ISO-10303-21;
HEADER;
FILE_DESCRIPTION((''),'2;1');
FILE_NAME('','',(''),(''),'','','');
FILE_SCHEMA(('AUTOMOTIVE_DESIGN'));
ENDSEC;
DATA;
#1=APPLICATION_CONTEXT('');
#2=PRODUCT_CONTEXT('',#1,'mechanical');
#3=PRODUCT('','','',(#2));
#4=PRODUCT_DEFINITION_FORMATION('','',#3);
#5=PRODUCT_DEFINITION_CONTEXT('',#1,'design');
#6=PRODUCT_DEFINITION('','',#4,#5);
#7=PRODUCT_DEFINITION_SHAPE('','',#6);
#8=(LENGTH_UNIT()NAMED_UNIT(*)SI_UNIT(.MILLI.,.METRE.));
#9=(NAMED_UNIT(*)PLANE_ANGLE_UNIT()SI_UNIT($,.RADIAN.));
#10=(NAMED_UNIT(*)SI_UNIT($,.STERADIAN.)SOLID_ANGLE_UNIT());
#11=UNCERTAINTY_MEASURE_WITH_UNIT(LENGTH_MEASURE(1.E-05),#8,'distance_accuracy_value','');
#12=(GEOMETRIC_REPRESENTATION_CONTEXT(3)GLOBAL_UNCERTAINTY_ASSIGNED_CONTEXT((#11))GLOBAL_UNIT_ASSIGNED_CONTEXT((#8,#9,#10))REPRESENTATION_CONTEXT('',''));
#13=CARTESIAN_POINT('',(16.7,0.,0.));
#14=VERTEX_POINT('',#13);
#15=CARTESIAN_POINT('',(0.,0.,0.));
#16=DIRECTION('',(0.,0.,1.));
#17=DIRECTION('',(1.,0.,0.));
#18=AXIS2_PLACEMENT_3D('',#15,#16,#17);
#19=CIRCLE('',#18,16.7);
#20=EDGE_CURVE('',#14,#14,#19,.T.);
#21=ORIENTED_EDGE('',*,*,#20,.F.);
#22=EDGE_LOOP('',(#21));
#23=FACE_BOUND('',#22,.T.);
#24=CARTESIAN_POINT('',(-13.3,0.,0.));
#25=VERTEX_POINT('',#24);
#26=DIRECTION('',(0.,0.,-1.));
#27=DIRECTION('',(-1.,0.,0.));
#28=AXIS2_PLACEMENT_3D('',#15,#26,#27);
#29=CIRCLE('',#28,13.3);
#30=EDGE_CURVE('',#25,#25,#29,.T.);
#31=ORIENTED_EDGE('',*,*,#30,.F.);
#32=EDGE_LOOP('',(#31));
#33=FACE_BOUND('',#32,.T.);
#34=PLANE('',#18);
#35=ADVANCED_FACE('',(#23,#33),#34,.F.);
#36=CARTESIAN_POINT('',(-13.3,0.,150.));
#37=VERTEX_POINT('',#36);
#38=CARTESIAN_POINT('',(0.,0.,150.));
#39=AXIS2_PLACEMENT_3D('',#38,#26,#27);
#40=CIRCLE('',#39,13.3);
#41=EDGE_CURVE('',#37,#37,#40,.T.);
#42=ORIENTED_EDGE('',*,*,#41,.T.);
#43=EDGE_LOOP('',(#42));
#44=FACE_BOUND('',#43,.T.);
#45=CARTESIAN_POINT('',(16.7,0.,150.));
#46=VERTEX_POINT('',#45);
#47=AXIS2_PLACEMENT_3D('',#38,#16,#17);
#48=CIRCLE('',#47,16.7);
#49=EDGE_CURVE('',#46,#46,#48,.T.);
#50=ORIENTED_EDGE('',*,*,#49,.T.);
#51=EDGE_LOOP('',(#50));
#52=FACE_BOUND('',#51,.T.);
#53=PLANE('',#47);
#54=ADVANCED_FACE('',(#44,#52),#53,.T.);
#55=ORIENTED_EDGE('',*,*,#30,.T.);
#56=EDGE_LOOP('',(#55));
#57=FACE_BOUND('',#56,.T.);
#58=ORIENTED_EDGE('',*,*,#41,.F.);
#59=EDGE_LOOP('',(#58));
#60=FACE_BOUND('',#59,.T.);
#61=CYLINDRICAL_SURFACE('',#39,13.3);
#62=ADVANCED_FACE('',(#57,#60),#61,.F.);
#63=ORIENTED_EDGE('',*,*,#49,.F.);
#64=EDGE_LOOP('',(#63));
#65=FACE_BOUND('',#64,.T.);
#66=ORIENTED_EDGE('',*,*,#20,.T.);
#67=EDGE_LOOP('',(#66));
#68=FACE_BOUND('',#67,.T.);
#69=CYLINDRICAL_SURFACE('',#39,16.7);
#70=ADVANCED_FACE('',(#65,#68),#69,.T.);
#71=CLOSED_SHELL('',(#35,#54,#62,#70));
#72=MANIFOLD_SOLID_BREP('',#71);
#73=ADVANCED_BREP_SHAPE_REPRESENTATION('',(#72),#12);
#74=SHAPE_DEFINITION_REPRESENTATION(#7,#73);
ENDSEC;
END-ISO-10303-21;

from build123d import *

# Parameters (mm, degrees)
SKETCH1_R           = 16.7
BOSS_EXTRUDE1_DEPTH = 150
SKETCH2_R           = 13.3
CUT_EXTRUDE1_DEPTH  = 150


with BuildPart() as part:
    # Sketch1 → Boss-Extrude1 (new body)
    with BuildSketch(Plane.XY):
        Circle(SKETCH1_R)
    extrude(amount=BOSS_EXTRUDE1_DEPTH)

    # Sketch2 → Cut-Extrude1 (cut)
    with BuildSketch(Plane(origin=(0, 0, 0), x_dir=(-1, 0, 0), z_dir=(0, 0, -1))):
        Circle(SKETCH2_R)
    extrude(amount=-CUT_EXTRUDE1_DEPTH, mode=Mode.SUBTRACT)


solid = part.part
